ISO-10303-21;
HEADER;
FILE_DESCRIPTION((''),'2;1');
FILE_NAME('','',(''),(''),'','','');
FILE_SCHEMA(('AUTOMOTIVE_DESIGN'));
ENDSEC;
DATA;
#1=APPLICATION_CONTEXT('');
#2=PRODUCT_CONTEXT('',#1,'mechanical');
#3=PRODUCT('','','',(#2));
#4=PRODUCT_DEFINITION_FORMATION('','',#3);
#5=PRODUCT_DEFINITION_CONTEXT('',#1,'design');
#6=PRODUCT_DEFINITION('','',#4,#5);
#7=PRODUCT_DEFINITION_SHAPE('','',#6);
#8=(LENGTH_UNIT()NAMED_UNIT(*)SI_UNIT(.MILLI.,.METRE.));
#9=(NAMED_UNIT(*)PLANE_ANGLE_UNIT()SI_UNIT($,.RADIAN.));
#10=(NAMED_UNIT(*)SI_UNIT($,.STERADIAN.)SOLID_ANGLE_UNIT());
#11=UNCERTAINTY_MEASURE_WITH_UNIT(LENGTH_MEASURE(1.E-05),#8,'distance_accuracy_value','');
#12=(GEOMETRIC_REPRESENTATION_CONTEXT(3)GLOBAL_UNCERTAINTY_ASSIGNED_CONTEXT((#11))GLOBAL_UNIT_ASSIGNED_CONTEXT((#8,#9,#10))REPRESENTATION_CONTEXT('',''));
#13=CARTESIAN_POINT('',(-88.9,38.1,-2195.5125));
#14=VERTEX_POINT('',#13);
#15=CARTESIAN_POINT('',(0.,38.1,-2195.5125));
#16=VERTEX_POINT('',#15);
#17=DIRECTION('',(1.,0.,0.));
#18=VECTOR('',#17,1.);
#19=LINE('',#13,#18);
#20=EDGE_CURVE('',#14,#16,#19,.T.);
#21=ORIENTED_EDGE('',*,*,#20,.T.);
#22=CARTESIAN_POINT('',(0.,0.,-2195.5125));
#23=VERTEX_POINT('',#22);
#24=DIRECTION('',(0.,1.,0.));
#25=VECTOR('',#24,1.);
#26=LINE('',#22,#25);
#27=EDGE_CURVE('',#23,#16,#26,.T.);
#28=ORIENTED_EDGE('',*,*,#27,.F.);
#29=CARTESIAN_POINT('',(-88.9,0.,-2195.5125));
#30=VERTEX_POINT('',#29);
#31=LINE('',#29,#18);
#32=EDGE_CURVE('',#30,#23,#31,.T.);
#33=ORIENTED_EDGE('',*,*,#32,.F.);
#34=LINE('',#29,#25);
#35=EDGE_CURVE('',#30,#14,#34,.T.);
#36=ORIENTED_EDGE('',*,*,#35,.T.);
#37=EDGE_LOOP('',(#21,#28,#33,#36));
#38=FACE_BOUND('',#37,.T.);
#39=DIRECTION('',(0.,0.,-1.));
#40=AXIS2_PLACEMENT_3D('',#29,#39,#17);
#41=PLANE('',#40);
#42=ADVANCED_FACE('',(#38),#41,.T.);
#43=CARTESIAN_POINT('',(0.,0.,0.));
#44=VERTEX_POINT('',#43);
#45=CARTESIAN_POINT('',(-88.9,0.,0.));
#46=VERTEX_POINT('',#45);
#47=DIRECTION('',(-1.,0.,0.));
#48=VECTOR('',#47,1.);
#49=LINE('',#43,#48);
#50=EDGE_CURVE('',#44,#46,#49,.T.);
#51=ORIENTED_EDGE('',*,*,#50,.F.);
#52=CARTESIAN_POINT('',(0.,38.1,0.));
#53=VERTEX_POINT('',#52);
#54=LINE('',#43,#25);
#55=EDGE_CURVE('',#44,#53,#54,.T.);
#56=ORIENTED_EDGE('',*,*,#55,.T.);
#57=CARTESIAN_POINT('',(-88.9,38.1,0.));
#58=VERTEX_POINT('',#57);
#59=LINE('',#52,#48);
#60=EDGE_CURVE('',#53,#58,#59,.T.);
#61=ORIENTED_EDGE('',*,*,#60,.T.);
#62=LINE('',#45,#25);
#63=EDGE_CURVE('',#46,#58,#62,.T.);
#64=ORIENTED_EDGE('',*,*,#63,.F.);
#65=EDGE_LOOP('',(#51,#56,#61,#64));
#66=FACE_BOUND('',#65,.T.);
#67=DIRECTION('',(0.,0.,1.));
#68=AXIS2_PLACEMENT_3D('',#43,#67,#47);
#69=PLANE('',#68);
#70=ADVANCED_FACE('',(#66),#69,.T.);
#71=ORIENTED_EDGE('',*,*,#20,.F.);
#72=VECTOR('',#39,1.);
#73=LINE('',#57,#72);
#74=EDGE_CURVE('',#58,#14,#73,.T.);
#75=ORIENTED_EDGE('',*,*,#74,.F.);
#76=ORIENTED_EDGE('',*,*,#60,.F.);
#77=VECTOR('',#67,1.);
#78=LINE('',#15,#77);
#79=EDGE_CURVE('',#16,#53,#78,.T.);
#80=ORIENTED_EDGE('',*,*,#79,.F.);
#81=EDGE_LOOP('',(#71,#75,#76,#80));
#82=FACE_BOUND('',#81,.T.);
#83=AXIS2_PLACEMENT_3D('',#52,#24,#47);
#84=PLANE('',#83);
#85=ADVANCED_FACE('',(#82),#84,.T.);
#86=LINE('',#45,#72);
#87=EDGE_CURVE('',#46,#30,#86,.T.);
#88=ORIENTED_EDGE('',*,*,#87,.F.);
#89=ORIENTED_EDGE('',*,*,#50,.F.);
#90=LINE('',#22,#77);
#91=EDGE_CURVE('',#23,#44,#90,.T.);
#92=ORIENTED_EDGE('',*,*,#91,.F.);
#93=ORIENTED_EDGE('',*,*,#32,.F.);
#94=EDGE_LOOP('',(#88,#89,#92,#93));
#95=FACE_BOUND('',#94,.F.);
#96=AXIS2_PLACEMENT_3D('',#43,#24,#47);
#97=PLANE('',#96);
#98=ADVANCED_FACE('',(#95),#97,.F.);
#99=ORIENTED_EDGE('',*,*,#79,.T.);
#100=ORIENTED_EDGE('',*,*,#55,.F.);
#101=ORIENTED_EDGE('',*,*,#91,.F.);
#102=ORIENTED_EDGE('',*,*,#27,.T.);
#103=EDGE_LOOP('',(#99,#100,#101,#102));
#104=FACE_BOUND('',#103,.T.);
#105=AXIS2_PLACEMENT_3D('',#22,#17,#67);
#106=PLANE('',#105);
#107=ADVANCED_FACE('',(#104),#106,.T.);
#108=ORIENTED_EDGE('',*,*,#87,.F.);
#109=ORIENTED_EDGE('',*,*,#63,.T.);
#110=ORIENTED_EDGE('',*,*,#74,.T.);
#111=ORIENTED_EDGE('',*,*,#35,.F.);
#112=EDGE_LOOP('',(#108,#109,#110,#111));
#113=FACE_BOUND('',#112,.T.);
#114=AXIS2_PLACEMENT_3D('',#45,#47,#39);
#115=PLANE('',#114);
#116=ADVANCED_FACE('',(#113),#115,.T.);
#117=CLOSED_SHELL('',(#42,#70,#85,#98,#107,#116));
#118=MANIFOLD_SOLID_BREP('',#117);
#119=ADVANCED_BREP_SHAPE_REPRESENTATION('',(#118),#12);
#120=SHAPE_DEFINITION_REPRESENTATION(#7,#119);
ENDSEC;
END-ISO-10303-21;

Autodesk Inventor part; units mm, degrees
ref_plane "YZ Plane" through (0, 0, 0) normal (1, 0, 0) x (0, 1, 0)
ref_plane "XZ Plane" through (0, 0, 0) normal (0, 1, 0) x (-1, 0, 0)
ref_plane "XY Plane" through (0, 0, 0) normal (0, 0, 1) x (1, 0, 0)
sketch "Sketch1" plane through (0, 0, 0) normal (0, 1, 0) x (-1, 0, 0)
  line L0 (0, 0) -> (88.9, 0)
  line L1 (88.9, 0) -> (88.9, -2195.5125)
  line L2 (88.9, -2195.5125) -> (0, -2195.5125)
  line L3 (0, -2195.5125) -> (0, 0)
  dimension "d1" = 88.9
  dimension "d4" = 2195.5125
extrude "Extrusion1" add sketch "Sketch1" along normal blind 38.1
properties part number "Plate_With_Length_90.75_Inches" material "Wood (Birch)"
